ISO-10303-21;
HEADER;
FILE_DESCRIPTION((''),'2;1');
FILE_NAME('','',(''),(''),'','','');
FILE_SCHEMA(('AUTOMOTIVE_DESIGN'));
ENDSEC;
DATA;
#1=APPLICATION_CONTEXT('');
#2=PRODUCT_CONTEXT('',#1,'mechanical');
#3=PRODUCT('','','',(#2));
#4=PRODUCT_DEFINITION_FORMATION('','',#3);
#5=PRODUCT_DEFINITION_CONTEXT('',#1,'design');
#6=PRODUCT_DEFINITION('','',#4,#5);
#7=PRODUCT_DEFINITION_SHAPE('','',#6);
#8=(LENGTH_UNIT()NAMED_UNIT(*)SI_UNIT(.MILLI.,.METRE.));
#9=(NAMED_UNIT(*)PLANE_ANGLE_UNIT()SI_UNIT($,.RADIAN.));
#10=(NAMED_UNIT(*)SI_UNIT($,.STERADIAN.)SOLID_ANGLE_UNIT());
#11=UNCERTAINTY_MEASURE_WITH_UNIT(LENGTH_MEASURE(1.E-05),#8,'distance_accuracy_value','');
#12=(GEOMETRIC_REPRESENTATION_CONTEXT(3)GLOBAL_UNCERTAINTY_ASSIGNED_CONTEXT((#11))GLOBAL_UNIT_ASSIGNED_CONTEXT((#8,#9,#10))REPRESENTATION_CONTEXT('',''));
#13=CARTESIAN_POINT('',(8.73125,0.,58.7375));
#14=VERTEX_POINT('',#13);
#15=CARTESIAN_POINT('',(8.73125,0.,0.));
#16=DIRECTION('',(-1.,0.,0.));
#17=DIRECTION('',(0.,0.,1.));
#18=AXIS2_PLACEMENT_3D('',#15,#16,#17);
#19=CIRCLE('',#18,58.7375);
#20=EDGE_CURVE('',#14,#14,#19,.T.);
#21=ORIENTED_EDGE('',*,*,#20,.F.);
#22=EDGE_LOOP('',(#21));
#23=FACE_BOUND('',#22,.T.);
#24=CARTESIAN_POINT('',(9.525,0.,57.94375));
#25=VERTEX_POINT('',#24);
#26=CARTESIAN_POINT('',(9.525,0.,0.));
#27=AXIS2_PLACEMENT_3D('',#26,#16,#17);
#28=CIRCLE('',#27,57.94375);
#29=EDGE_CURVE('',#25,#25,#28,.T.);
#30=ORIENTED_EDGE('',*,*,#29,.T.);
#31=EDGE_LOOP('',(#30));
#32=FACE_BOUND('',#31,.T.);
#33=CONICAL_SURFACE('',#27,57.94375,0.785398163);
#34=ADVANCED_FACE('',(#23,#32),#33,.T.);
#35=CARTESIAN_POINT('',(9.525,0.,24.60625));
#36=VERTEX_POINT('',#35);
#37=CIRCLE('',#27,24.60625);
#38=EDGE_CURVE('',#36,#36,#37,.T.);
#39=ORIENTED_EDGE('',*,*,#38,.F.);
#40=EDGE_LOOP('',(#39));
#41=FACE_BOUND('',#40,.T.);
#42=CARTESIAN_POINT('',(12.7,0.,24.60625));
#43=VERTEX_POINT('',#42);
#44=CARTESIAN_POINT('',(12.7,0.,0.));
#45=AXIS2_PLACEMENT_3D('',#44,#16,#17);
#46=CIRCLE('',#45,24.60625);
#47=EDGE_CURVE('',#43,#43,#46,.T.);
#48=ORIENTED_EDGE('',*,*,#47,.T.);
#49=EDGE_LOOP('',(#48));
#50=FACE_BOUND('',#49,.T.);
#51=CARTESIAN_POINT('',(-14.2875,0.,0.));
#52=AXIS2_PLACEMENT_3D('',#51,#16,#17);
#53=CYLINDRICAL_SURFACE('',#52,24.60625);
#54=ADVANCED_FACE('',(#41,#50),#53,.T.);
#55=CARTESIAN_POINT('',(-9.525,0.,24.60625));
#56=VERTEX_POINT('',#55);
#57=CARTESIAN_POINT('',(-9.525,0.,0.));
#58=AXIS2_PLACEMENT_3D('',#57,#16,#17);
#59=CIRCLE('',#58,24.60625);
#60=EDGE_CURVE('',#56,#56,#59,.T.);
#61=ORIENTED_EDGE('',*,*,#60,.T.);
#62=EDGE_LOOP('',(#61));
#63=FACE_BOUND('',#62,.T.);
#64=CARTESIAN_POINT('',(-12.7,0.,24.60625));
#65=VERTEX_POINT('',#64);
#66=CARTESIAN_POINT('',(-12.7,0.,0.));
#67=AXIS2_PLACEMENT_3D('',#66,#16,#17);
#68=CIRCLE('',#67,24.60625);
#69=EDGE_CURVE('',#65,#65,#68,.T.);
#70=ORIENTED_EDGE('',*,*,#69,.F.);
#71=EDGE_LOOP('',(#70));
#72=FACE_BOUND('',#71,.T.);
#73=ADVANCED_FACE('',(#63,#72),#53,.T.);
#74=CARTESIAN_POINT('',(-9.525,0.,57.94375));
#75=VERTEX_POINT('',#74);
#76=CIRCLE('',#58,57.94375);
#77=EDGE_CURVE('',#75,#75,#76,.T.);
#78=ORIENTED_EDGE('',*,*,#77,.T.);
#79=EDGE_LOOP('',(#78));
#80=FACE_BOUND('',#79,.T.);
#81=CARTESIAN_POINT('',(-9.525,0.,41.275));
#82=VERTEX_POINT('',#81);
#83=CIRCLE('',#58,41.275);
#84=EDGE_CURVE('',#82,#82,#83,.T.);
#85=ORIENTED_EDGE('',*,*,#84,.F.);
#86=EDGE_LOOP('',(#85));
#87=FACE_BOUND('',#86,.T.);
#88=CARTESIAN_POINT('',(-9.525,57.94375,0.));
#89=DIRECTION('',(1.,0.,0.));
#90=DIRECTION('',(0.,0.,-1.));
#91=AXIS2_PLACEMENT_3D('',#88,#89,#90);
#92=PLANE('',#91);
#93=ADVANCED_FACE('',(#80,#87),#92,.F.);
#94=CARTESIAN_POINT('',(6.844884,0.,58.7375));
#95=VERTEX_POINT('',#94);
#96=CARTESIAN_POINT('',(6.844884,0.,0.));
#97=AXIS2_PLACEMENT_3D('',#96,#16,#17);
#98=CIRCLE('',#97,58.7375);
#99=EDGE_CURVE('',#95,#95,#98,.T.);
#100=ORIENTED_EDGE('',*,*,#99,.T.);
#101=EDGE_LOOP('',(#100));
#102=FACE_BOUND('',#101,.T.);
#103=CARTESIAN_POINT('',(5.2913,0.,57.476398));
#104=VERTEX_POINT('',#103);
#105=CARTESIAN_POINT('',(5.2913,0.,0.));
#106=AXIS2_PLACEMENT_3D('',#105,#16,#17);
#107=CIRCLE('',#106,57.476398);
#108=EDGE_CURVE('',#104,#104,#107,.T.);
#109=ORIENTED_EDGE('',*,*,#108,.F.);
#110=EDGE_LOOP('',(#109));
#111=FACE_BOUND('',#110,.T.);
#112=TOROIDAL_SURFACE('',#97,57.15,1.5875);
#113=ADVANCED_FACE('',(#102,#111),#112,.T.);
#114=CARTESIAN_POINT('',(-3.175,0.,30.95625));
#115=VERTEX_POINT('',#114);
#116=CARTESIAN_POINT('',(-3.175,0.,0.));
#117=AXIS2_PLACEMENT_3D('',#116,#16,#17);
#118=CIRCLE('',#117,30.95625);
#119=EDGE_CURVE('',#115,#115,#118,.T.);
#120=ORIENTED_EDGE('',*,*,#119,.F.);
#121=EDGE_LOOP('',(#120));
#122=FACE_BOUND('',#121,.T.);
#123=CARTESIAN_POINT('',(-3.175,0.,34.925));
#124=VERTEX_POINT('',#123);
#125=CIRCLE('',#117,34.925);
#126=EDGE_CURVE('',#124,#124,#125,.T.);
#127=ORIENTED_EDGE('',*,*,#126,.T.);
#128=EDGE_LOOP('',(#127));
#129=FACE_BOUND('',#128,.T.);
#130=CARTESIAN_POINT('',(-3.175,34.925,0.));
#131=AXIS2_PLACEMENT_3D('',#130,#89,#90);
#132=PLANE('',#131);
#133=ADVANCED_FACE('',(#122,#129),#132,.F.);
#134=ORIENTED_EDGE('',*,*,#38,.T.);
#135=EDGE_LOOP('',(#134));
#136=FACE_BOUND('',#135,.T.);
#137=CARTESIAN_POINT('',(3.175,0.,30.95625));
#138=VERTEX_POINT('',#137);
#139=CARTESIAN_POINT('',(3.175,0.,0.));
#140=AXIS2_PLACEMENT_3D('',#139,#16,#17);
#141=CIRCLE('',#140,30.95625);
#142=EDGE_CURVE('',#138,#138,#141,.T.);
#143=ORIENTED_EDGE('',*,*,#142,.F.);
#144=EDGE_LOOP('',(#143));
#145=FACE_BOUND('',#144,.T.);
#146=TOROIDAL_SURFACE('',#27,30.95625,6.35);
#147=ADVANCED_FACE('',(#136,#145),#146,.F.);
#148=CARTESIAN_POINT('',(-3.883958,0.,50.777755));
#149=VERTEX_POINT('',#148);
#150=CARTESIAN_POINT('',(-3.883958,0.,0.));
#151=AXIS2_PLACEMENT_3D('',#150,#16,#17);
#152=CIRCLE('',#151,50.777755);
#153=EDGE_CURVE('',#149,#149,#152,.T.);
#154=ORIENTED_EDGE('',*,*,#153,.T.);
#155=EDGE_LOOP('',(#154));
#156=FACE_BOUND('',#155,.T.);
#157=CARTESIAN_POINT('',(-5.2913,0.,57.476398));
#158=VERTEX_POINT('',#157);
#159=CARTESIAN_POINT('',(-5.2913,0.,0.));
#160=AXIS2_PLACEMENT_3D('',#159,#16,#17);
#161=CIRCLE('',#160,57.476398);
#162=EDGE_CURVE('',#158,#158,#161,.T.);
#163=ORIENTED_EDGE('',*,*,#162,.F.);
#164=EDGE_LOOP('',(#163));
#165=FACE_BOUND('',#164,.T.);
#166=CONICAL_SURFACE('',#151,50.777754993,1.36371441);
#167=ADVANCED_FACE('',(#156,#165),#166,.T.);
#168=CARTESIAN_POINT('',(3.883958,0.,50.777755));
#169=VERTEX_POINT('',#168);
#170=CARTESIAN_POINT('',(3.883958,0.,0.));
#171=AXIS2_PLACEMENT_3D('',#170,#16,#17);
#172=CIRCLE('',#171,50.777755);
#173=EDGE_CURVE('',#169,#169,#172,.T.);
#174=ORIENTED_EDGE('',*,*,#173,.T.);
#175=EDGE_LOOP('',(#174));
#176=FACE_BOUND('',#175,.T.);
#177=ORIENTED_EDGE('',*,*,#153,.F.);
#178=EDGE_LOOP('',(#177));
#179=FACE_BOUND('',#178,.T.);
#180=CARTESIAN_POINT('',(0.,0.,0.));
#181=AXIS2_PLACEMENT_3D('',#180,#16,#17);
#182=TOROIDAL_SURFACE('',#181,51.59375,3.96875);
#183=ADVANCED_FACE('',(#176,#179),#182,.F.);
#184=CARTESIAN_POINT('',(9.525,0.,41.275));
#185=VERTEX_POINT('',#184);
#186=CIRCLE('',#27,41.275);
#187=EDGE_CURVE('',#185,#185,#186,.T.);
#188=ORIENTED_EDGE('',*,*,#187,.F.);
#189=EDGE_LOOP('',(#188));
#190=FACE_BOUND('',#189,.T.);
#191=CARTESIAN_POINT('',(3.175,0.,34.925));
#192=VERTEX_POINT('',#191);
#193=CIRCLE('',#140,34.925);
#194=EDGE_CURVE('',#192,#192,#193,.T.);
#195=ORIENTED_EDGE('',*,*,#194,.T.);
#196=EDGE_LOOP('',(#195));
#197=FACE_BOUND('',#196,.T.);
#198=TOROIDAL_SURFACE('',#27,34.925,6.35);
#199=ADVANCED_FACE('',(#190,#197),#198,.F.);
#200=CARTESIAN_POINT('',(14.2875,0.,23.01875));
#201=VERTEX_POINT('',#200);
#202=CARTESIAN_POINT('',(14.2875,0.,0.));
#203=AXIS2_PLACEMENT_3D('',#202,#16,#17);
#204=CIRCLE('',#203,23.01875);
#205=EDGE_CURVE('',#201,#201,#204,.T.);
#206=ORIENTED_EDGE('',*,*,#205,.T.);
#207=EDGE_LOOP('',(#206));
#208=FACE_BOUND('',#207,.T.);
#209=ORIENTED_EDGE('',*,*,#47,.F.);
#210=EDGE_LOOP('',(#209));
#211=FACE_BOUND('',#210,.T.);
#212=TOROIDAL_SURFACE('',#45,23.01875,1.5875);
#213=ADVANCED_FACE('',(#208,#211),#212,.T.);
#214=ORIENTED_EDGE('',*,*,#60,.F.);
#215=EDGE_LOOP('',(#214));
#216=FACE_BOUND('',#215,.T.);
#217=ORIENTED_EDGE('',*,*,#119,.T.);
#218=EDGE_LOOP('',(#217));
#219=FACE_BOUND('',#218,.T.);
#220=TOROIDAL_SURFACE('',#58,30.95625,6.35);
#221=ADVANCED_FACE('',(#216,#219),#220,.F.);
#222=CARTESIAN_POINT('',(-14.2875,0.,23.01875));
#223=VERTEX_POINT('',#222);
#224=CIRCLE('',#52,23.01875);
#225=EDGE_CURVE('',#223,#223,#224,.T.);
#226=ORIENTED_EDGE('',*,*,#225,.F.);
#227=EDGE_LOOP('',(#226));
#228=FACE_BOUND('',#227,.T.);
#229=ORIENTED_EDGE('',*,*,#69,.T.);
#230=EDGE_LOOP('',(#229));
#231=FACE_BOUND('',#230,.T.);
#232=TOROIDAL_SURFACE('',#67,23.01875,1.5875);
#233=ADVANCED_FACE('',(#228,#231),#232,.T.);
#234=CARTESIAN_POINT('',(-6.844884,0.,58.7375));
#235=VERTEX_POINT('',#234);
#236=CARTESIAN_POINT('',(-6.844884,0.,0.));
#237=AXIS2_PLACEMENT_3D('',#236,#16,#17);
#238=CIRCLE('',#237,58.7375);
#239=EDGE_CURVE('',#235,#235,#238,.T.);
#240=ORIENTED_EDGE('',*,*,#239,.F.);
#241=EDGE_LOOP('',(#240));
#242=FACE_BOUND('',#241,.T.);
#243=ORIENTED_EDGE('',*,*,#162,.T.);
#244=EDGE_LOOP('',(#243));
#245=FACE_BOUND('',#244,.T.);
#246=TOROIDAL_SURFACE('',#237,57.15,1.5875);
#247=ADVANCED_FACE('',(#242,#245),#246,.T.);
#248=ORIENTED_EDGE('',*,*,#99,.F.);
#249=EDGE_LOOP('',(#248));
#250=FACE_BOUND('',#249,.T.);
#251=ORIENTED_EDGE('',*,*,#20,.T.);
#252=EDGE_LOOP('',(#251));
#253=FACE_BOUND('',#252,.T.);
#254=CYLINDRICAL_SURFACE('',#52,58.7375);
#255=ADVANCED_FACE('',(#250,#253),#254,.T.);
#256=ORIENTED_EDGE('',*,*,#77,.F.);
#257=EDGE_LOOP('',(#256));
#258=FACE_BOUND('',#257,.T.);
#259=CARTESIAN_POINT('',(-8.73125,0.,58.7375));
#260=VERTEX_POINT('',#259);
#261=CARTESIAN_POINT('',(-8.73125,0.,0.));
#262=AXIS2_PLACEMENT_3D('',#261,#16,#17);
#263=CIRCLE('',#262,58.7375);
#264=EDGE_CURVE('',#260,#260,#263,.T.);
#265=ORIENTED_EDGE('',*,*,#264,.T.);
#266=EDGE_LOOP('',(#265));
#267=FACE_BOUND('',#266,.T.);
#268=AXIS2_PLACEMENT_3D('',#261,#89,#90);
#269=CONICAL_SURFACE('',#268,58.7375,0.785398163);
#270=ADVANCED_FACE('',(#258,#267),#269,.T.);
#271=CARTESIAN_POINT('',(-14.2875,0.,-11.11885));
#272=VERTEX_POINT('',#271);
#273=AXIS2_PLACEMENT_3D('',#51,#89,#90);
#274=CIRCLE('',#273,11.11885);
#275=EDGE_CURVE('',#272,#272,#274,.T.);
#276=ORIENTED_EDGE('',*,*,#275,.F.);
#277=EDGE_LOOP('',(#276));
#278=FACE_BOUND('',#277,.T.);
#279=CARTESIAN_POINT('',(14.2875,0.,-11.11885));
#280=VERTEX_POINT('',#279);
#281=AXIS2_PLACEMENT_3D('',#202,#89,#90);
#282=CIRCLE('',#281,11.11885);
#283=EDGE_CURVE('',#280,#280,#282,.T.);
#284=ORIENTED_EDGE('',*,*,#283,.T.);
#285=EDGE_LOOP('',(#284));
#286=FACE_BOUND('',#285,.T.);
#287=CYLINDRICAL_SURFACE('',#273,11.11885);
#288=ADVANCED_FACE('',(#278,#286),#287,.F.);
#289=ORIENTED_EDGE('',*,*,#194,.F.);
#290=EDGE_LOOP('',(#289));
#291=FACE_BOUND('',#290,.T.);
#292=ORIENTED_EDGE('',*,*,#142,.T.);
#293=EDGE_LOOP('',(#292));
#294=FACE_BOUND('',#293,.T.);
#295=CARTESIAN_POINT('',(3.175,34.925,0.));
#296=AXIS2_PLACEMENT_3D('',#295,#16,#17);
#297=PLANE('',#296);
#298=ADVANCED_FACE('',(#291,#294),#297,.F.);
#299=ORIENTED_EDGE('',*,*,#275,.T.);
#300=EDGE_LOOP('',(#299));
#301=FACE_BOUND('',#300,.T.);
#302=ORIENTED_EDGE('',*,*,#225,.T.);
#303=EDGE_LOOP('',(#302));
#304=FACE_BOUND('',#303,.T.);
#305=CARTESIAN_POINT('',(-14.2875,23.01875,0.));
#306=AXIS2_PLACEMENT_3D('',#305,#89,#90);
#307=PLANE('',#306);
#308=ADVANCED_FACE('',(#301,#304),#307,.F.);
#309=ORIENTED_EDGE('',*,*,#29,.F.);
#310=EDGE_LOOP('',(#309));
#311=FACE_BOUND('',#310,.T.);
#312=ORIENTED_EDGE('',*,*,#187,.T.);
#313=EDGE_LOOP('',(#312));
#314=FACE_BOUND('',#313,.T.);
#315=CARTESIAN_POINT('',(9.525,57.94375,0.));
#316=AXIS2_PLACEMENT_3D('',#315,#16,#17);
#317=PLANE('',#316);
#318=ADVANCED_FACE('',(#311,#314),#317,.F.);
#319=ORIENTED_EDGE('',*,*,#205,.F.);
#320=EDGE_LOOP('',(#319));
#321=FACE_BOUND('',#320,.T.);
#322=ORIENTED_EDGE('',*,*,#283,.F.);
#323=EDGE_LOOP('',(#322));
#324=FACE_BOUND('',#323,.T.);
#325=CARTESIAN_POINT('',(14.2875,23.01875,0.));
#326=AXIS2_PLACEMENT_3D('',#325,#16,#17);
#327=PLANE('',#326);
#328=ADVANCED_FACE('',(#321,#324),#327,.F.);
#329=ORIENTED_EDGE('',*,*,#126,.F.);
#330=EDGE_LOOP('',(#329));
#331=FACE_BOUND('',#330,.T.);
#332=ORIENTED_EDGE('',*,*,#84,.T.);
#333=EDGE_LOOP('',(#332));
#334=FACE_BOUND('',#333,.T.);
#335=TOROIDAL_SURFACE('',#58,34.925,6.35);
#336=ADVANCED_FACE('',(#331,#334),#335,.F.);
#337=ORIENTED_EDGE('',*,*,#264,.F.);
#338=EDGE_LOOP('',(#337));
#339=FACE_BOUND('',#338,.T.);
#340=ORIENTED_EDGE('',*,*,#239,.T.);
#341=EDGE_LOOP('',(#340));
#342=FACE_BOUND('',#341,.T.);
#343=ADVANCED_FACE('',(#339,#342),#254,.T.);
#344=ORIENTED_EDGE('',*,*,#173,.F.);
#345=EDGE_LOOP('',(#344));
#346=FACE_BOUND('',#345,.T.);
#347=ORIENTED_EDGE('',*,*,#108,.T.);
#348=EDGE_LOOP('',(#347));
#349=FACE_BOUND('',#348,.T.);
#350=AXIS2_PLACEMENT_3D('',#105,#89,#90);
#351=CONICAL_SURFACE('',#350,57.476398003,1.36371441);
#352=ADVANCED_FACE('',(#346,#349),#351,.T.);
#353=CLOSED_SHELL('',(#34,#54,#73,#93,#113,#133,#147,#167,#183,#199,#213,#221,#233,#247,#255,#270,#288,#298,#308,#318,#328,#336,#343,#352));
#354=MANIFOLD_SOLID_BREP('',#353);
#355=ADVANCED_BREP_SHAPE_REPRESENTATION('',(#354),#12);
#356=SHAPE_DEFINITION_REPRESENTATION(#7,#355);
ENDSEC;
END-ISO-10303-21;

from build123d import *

# Parameters (mm, degrees)
SKETCH2_R          = 11.11885
CUT_EXTRUDE1_DEPTH = 29.575


with BuildPart() as part:
    # Sketch1 → Revolve1 (revolve)
    with BuildSketch(Plane.XY, mode=Mode.PRIVATE) as revolve1_sk:
        with BuildLine():
            Line((-14.2875, 0), (14.2875, 0))
            Line((14.2875, 0), (14.2875, 23.01875))
            ThreePointArc((14.2875, 23.01875), (13.822532015, 24.141282015), (12.7, 24.60625))
            Line((12.7, 24.60625), (9.525, 24.60625))
            ThreePointArc((9.525, 24.60625), (5.034871939, 26.466121939), (3.175, 30.95625))
            Line((3.175, 30.95625), (3.175, 34.925))
            ThreePointArc((3.175, 34.925), (5.034871939, 39.415128061), (9.525, 41.275))
            Line((9.525, 41.275), (9.525, 57.94375))
            Line((9.525, 57.94375), (8.73125, 58.7375))
            Line((8.73125, 58.7375), (6.844883585, 58.7375))
            ThreePointArc((6.844883585, 58.7375), (5.844383855, 58.382540685), (5.291300439, 57.476398003))
            Line((5.291300439, 57.476398003), (3.883957867, 50.777754993))
            ThreePointArc((3.883957867, 50.777754993), (0, 47.625), (-3.883957867, 50.777754993))
            Line((-3.883957867, 50.777754993), (-5.291300439, 57.476398003))
            ThreePointArc((-5.291300439, 57.476398003), (-5.844383855, 58.382540685), (-6.844883585, 58.7375))
            Line((-6.844883585, 58.7375), (-8.73125, 58.7375))
            Line((-8.73125, 58.7375), (-9.525, 57.94375))
            Line((-9.525, 57.94375), (-9.525, 41.275))
            ThreePointArc((-9.525, 41.275), (-5.034871939, 39.415128061), (-3.175, 34.925))
            Line((-3.175, 34.925), (-3.175, 30.95625))
            ThreePointArc((-3.175, 30.95625), (-5.034871939, 26.466121939), (-9.525, 24.60625))
            Line((-9.525, 24.60625), (-12.7, 24.60625))
            ThreePointArc((-12.7, 24.60625), (-13.822532015, 24.141282015), (-14.2875, 23.01875))
            Line((-14.2875, 23.01875), (-14.2875, 0))
        make_face()
    revolve(revolve1_sk.sketch.rotate(Axis((-14.2875, 0, 0), (1, 0, 0)), 90), axis=Axis((-14.2875, 0, 0), (1, 0, 0)))  # turned: the seam where the file's is

    # Sketch2 → Cut-Extrude1 (cut, through all)
    with BuildSketch(Plane(origin=(14.2875, 0, 0), x_dir=(0, 0, -1), z_dir=(1, 0, 0))):
        Circle(SKETCH2_R)
    extrude(amount=-CUT_EXTRUDE1_DEPTH, mode=Mode.SUBTRACT)


solid = part.part
